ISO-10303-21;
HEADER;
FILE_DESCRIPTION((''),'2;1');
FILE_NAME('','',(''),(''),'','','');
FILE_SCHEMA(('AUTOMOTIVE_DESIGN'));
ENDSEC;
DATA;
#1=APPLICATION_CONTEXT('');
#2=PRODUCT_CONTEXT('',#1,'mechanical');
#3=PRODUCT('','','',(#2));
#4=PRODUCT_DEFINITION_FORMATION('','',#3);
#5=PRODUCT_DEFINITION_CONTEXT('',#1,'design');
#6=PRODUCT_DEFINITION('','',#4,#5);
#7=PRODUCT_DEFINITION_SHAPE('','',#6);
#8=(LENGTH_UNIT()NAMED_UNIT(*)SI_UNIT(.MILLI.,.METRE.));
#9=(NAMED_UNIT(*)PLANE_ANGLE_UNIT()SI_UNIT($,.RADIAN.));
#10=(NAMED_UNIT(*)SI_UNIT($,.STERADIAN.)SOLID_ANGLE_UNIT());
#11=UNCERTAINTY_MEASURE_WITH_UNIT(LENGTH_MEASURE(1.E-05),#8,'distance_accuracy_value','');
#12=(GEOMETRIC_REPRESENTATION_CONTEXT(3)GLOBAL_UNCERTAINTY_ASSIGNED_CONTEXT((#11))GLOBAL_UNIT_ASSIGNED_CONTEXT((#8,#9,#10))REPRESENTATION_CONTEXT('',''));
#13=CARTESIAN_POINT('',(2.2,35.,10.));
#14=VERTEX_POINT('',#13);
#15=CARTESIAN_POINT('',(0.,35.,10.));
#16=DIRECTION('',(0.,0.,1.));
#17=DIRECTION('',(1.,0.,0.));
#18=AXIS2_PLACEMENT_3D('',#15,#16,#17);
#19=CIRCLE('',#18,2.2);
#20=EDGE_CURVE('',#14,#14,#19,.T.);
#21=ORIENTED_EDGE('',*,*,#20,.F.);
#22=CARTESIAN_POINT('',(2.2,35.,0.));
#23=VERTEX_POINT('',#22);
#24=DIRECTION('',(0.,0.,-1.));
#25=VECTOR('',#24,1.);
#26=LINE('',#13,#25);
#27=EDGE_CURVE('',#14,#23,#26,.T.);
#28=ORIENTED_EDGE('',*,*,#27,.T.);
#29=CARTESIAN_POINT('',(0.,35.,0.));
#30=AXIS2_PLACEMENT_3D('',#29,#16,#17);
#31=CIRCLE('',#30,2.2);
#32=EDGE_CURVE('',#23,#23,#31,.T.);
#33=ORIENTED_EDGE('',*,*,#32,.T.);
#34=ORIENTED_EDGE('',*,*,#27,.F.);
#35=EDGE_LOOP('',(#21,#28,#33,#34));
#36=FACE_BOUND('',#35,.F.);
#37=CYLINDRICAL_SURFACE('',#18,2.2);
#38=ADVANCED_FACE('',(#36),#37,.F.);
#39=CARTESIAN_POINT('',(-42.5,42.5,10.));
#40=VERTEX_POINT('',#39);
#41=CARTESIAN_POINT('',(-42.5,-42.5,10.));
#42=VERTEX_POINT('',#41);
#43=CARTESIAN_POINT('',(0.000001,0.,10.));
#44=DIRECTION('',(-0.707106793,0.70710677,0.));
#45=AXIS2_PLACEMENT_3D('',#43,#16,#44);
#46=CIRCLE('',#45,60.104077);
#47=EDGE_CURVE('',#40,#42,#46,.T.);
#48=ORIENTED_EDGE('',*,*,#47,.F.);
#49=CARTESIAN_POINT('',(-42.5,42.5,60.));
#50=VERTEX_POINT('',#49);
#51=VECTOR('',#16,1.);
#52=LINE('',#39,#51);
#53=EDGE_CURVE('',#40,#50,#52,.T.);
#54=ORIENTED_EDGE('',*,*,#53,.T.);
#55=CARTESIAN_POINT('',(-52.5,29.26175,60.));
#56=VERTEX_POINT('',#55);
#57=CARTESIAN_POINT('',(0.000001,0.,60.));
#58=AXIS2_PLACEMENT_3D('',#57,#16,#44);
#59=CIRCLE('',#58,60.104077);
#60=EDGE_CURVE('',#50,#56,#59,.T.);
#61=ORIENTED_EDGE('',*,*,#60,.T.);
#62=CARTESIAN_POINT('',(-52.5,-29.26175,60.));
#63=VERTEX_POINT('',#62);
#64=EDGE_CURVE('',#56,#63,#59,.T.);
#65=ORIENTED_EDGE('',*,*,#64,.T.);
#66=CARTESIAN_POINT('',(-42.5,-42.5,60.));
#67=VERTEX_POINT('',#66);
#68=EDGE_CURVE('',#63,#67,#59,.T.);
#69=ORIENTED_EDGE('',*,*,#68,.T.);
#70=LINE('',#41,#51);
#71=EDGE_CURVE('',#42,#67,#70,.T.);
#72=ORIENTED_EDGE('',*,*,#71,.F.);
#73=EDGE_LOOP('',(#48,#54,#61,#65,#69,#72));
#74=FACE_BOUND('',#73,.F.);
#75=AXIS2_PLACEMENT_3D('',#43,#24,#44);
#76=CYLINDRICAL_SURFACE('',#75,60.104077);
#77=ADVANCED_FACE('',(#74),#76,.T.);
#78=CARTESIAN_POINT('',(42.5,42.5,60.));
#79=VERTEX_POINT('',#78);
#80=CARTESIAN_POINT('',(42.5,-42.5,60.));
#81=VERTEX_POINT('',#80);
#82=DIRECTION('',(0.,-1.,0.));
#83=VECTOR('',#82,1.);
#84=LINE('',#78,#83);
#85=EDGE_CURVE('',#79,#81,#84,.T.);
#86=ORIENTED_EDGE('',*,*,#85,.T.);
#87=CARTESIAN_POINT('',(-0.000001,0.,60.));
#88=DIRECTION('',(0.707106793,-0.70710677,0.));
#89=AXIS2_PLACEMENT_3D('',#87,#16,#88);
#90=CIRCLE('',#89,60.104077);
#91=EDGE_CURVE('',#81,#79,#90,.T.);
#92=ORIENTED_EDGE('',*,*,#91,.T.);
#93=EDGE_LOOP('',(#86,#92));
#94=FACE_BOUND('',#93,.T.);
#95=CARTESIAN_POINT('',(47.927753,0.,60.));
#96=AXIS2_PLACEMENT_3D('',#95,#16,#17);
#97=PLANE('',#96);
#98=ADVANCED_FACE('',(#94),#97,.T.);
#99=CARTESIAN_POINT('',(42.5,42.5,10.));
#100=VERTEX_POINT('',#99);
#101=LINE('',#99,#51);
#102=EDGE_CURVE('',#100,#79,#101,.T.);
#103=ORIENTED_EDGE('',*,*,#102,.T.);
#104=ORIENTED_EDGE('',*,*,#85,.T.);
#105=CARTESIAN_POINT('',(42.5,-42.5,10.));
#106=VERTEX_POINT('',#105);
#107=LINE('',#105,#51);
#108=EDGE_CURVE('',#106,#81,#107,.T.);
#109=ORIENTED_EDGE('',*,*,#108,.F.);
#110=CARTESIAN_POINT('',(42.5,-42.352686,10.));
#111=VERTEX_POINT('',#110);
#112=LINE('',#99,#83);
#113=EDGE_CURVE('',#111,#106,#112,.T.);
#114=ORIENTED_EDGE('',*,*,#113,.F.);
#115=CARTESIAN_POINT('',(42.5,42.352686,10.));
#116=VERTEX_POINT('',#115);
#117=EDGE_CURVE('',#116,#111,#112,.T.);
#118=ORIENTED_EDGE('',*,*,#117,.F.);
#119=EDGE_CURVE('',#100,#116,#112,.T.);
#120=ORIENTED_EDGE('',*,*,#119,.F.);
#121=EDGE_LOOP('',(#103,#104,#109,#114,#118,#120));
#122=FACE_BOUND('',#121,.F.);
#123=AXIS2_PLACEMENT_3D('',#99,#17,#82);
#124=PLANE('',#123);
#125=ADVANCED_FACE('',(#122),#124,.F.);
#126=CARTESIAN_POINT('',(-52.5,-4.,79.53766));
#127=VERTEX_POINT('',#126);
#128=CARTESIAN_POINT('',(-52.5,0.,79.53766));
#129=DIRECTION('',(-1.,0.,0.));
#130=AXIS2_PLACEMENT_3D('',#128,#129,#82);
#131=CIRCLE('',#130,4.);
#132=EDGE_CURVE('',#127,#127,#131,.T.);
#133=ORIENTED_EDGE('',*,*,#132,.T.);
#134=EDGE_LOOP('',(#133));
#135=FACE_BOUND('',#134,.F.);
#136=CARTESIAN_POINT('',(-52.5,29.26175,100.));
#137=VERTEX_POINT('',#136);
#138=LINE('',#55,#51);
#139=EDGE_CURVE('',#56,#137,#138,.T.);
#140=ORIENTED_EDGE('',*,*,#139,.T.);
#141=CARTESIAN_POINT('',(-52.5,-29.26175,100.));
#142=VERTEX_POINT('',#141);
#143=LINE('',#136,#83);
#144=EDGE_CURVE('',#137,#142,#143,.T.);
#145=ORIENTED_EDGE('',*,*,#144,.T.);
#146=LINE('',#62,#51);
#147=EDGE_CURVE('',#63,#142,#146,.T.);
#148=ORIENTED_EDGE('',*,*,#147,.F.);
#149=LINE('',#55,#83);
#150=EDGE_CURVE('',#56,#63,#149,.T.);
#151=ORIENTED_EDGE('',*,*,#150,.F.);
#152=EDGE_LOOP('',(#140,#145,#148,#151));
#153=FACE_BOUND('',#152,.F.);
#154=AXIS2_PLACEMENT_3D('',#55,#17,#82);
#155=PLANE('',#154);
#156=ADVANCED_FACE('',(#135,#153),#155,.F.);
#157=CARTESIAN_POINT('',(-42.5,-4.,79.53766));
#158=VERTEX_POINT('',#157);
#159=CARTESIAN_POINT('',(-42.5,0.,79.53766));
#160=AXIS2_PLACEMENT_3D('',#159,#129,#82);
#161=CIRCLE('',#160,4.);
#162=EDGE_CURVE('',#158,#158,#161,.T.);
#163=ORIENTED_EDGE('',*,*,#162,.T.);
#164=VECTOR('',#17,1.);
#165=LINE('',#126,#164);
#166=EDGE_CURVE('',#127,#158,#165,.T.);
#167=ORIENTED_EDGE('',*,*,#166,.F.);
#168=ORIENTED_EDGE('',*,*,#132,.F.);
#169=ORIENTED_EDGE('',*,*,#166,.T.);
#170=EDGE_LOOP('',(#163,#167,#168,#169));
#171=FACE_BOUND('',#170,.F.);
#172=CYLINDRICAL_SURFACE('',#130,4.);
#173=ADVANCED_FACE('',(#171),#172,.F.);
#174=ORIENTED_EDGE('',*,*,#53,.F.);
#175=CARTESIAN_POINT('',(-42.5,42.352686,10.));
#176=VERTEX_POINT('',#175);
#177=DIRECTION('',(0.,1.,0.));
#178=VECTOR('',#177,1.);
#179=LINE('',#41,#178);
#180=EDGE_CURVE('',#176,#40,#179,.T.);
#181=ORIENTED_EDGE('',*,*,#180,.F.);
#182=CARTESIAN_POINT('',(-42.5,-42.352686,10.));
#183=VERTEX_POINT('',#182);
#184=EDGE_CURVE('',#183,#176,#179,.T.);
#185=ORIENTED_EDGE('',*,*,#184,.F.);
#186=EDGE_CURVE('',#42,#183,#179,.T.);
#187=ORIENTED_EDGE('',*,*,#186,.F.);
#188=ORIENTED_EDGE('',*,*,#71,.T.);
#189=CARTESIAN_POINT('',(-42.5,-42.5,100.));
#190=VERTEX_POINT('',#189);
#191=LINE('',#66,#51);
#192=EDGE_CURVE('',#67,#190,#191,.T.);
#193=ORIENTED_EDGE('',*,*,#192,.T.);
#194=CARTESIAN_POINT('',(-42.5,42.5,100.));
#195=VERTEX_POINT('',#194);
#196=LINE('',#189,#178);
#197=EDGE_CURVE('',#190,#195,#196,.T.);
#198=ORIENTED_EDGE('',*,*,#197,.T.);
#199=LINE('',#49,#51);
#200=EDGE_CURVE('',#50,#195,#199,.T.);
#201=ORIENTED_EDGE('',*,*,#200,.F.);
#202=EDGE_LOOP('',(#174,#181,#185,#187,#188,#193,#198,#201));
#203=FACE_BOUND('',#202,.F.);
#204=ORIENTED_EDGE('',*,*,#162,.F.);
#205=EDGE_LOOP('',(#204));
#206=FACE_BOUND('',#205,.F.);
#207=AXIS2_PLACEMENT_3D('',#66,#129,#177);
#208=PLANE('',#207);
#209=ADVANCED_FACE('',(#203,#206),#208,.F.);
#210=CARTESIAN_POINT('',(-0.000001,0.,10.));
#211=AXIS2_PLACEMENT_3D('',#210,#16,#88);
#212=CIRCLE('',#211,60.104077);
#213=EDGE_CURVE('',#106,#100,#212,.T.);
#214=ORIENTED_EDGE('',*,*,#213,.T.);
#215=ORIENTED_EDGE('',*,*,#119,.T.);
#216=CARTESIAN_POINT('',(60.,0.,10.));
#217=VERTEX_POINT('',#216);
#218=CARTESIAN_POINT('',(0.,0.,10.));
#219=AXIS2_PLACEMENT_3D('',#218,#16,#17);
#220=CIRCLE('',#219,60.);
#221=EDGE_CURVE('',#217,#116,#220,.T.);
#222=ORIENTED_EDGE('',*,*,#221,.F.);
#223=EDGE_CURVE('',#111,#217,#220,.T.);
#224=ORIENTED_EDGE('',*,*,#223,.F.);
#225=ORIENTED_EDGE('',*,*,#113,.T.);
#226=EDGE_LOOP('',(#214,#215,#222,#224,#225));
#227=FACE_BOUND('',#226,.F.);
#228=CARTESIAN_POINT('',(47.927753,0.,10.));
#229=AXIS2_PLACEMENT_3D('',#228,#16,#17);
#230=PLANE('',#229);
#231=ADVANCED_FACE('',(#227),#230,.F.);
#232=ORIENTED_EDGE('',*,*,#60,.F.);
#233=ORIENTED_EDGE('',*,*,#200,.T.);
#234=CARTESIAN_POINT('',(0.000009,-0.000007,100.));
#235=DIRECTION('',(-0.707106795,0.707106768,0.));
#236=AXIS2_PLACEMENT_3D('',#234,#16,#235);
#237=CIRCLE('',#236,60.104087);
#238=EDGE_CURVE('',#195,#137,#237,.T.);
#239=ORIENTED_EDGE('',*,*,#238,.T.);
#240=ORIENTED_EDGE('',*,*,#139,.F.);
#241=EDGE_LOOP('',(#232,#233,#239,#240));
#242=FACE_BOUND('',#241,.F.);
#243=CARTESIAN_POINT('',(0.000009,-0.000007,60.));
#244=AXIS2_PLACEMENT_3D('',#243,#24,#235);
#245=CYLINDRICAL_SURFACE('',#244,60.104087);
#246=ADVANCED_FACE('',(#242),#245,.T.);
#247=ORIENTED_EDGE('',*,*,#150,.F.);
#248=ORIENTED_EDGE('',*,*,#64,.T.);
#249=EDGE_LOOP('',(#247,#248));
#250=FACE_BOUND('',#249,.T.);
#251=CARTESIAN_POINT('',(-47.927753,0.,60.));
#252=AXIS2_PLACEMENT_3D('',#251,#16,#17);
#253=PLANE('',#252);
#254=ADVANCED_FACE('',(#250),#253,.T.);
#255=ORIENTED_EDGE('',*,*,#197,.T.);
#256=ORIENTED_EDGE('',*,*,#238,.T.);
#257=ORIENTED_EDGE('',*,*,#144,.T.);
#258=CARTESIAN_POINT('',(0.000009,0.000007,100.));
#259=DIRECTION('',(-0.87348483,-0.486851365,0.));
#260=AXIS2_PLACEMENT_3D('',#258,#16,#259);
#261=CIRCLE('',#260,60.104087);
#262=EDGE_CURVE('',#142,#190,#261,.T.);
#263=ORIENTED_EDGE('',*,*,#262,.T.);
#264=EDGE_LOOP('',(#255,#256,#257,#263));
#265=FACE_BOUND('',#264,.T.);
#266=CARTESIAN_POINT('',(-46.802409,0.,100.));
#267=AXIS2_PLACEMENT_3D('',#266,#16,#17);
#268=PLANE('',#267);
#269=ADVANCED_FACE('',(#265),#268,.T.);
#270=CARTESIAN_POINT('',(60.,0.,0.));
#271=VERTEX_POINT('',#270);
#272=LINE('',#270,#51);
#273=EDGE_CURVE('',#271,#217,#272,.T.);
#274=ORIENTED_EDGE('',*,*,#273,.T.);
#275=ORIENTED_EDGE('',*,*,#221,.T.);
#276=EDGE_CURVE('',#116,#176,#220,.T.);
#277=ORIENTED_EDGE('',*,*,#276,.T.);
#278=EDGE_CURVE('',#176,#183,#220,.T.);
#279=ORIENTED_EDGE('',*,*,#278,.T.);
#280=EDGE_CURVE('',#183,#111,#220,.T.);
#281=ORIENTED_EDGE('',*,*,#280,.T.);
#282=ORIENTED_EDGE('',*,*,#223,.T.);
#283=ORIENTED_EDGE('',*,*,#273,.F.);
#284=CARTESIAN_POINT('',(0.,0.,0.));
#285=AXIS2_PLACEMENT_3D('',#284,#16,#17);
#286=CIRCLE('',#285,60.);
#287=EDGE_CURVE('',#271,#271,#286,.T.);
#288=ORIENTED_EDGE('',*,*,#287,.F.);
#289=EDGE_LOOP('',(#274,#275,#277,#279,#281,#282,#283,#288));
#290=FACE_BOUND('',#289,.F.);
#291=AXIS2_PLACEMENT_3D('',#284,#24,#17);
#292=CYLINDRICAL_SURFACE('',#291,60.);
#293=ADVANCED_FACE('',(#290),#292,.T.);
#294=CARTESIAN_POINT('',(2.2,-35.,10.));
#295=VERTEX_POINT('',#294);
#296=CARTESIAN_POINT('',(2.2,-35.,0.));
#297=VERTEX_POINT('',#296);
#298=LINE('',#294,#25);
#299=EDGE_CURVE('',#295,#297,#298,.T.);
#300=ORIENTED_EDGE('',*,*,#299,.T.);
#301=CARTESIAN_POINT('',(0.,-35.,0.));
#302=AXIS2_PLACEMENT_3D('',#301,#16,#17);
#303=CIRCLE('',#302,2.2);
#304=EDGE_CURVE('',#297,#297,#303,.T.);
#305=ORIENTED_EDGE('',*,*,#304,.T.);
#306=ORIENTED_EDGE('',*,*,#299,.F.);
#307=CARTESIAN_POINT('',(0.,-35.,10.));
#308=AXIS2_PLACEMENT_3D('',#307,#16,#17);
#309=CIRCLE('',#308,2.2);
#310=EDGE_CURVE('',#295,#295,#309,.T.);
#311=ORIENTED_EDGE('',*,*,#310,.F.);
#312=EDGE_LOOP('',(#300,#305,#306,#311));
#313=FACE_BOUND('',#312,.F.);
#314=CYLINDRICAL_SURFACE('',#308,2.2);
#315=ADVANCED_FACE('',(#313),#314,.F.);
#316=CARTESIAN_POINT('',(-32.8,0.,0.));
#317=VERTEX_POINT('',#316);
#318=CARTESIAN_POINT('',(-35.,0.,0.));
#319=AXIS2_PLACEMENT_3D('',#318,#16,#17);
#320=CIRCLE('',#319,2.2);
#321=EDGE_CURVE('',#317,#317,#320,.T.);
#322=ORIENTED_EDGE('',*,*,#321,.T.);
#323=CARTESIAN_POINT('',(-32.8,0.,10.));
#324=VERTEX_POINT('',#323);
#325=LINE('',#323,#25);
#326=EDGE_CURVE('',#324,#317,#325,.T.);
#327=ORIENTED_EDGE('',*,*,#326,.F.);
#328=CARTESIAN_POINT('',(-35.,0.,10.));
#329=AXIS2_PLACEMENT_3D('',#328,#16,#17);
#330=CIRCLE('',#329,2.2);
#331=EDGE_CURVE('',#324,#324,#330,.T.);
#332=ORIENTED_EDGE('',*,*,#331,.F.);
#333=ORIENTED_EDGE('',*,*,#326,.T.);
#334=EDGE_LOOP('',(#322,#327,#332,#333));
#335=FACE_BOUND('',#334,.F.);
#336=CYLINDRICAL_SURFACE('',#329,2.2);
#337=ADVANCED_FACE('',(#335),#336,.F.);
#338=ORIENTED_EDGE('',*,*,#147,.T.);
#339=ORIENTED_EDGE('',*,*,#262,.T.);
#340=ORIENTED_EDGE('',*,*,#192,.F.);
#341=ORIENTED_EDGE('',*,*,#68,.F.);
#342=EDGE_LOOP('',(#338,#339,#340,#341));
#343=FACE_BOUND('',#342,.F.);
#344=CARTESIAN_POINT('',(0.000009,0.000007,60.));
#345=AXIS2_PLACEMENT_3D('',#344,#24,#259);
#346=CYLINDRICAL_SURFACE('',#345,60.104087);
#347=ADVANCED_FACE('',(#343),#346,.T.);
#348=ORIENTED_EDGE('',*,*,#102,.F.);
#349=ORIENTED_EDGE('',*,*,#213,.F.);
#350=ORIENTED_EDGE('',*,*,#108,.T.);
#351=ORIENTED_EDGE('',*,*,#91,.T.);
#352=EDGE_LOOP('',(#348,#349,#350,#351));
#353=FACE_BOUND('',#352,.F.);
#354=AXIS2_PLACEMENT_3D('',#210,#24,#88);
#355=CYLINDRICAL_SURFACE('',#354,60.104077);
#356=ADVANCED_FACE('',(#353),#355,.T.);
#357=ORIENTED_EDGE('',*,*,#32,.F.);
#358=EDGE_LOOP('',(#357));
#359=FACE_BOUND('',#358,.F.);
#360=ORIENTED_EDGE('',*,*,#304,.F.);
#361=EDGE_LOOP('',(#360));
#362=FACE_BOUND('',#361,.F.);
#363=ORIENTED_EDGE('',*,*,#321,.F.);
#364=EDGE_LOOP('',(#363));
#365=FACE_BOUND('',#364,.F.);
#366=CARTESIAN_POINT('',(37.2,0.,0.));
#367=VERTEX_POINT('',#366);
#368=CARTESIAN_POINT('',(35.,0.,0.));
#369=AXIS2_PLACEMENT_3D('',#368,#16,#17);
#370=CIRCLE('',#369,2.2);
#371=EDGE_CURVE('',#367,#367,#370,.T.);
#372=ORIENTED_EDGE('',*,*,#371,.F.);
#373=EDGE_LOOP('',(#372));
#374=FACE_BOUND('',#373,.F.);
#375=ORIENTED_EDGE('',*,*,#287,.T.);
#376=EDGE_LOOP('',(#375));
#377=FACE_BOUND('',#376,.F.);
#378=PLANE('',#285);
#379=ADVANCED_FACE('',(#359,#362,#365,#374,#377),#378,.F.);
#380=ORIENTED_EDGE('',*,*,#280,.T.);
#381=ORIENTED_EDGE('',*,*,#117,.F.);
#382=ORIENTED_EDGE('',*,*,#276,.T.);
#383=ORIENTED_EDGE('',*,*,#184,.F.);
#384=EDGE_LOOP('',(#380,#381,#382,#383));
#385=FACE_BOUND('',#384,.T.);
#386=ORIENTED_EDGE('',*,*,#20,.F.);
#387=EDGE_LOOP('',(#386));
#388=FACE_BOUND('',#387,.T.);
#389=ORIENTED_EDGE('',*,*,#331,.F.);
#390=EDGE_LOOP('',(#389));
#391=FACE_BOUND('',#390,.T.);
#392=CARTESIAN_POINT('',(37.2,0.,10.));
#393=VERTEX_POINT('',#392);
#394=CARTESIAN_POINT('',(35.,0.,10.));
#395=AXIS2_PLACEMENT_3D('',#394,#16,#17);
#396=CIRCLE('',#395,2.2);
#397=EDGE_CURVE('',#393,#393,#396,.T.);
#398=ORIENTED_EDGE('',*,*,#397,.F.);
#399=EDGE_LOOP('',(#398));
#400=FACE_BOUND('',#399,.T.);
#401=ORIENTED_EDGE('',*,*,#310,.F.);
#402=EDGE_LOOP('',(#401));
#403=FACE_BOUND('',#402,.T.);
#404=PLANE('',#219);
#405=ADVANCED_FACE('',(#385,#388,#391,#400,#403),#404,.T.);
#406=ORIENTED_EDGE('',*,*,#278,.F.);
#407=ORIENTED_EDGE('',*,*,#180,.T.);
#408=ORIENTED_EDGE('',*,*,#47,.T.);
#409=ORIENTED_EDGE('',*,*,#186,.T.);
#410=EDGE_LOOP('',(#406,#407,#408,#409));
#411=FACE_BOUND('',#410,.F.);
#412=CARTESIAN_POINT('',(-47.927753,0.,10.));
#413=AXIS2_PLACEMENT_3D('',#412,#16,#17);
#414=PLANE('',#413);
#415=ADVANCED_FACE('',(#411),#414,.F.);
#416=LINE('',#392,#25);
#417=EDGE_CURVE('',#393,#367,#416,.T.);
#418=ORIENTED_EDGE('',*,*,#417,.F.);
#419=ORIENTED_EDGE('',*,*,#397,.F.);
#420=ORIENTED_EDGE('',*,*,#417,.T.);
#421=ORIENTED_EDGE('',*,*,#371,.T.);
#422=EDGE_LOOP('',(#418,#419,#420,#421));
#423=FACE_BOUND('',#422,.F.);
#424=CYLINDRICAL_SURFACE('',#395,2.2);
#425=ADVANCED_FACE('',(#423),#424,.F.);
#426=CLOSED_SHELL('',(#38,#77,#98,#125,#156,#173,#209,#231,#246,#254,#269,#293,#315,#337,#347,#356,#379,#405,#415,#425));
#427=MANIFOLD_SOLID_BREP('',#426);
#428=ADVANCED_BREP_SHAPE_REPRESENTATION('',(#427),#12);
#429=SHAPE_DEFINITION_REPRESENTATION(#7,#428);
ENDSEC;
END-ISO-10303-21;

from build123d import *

# Parameters (mm, degrees)
F0_R     = 60
F1_DEPTH = 10
F2_R     = 2.2
F3_DEPTH = 14
F5_DEPTH = 50
F7_DEPTH = 40
F8_R     = 4
F9_DEPTH = 10


with BuildPart() as f1:
    # F0 (on Top) → F1 (new body)
    with BuildSketch(Plane.XY):
        Circle(F0_R)
    extrude(amount=F1_DEPTH)

    # F2 (on face) → F3 (cut)
    with BuildSketch(Plane.XY.offset(10)):
        with Locations((0, 35)):
            Circle(F2_R)
        with Locations((35, 0)):
            Circle(F2_R)
        with Locations((-35, 0)):
            Circle(F2_R)
        with Locations((0, -35)):
            Circle(F2_R)
    extrude(amount=-F3_DEPTH, mode=Mode.SUBTRACT)

    # F4 (on face) → F5 (join)
    with BuildSketch(Plane.XY.offset(10)):
        with BuildLine():
            ThreePointArc((42.5, -42.5), (60.104076, 0), (42.5, 42.5))
            Line((42.5, 42.5), (42.5, -42.5))
        make_face()
        with BuildLine():
            Line((-42.5, -42.5), (-42.5, 42.5))
            ThreePointArc((-42.5, 42.5), (-60.104076, 0), (-42.5, -42.5))
        make_face()
    extrude(amount=F5_DEPTH)

    # F6 (on face) → F7 (join)
    with BuildSketch(Plane.XY.offset(60)):
        with BuildLine():
            Line((-42.5, -42.5), (-42.5, 42.5))
            ThreePointArc((-42.5, 42.5), (-47.95897, 36.227575), (-52.5, 29.26175))
            Line((-52.5, 29.26175), (-52.5, -29.26175))
            ThreePointArc((-52.5, -29.26175), (-47.95897, -36.227575), (-42.5, -42.5))
        make_face()
    extrude(amount=F7_DEPTH)

    # F8 (on face) → F9 (cut)
    with BuildSketch(Plane(origin=(-52.5, 0, 0), x_dir=(0, -1, 0), z_dir=(-1, 0, 0))):
        with Locations((0, 79.53766)):
            Circle(F8_R)
    extrude(amount=-F9_DEPTH, mode=Mode.SUBTRACT)


solid = f1.part
